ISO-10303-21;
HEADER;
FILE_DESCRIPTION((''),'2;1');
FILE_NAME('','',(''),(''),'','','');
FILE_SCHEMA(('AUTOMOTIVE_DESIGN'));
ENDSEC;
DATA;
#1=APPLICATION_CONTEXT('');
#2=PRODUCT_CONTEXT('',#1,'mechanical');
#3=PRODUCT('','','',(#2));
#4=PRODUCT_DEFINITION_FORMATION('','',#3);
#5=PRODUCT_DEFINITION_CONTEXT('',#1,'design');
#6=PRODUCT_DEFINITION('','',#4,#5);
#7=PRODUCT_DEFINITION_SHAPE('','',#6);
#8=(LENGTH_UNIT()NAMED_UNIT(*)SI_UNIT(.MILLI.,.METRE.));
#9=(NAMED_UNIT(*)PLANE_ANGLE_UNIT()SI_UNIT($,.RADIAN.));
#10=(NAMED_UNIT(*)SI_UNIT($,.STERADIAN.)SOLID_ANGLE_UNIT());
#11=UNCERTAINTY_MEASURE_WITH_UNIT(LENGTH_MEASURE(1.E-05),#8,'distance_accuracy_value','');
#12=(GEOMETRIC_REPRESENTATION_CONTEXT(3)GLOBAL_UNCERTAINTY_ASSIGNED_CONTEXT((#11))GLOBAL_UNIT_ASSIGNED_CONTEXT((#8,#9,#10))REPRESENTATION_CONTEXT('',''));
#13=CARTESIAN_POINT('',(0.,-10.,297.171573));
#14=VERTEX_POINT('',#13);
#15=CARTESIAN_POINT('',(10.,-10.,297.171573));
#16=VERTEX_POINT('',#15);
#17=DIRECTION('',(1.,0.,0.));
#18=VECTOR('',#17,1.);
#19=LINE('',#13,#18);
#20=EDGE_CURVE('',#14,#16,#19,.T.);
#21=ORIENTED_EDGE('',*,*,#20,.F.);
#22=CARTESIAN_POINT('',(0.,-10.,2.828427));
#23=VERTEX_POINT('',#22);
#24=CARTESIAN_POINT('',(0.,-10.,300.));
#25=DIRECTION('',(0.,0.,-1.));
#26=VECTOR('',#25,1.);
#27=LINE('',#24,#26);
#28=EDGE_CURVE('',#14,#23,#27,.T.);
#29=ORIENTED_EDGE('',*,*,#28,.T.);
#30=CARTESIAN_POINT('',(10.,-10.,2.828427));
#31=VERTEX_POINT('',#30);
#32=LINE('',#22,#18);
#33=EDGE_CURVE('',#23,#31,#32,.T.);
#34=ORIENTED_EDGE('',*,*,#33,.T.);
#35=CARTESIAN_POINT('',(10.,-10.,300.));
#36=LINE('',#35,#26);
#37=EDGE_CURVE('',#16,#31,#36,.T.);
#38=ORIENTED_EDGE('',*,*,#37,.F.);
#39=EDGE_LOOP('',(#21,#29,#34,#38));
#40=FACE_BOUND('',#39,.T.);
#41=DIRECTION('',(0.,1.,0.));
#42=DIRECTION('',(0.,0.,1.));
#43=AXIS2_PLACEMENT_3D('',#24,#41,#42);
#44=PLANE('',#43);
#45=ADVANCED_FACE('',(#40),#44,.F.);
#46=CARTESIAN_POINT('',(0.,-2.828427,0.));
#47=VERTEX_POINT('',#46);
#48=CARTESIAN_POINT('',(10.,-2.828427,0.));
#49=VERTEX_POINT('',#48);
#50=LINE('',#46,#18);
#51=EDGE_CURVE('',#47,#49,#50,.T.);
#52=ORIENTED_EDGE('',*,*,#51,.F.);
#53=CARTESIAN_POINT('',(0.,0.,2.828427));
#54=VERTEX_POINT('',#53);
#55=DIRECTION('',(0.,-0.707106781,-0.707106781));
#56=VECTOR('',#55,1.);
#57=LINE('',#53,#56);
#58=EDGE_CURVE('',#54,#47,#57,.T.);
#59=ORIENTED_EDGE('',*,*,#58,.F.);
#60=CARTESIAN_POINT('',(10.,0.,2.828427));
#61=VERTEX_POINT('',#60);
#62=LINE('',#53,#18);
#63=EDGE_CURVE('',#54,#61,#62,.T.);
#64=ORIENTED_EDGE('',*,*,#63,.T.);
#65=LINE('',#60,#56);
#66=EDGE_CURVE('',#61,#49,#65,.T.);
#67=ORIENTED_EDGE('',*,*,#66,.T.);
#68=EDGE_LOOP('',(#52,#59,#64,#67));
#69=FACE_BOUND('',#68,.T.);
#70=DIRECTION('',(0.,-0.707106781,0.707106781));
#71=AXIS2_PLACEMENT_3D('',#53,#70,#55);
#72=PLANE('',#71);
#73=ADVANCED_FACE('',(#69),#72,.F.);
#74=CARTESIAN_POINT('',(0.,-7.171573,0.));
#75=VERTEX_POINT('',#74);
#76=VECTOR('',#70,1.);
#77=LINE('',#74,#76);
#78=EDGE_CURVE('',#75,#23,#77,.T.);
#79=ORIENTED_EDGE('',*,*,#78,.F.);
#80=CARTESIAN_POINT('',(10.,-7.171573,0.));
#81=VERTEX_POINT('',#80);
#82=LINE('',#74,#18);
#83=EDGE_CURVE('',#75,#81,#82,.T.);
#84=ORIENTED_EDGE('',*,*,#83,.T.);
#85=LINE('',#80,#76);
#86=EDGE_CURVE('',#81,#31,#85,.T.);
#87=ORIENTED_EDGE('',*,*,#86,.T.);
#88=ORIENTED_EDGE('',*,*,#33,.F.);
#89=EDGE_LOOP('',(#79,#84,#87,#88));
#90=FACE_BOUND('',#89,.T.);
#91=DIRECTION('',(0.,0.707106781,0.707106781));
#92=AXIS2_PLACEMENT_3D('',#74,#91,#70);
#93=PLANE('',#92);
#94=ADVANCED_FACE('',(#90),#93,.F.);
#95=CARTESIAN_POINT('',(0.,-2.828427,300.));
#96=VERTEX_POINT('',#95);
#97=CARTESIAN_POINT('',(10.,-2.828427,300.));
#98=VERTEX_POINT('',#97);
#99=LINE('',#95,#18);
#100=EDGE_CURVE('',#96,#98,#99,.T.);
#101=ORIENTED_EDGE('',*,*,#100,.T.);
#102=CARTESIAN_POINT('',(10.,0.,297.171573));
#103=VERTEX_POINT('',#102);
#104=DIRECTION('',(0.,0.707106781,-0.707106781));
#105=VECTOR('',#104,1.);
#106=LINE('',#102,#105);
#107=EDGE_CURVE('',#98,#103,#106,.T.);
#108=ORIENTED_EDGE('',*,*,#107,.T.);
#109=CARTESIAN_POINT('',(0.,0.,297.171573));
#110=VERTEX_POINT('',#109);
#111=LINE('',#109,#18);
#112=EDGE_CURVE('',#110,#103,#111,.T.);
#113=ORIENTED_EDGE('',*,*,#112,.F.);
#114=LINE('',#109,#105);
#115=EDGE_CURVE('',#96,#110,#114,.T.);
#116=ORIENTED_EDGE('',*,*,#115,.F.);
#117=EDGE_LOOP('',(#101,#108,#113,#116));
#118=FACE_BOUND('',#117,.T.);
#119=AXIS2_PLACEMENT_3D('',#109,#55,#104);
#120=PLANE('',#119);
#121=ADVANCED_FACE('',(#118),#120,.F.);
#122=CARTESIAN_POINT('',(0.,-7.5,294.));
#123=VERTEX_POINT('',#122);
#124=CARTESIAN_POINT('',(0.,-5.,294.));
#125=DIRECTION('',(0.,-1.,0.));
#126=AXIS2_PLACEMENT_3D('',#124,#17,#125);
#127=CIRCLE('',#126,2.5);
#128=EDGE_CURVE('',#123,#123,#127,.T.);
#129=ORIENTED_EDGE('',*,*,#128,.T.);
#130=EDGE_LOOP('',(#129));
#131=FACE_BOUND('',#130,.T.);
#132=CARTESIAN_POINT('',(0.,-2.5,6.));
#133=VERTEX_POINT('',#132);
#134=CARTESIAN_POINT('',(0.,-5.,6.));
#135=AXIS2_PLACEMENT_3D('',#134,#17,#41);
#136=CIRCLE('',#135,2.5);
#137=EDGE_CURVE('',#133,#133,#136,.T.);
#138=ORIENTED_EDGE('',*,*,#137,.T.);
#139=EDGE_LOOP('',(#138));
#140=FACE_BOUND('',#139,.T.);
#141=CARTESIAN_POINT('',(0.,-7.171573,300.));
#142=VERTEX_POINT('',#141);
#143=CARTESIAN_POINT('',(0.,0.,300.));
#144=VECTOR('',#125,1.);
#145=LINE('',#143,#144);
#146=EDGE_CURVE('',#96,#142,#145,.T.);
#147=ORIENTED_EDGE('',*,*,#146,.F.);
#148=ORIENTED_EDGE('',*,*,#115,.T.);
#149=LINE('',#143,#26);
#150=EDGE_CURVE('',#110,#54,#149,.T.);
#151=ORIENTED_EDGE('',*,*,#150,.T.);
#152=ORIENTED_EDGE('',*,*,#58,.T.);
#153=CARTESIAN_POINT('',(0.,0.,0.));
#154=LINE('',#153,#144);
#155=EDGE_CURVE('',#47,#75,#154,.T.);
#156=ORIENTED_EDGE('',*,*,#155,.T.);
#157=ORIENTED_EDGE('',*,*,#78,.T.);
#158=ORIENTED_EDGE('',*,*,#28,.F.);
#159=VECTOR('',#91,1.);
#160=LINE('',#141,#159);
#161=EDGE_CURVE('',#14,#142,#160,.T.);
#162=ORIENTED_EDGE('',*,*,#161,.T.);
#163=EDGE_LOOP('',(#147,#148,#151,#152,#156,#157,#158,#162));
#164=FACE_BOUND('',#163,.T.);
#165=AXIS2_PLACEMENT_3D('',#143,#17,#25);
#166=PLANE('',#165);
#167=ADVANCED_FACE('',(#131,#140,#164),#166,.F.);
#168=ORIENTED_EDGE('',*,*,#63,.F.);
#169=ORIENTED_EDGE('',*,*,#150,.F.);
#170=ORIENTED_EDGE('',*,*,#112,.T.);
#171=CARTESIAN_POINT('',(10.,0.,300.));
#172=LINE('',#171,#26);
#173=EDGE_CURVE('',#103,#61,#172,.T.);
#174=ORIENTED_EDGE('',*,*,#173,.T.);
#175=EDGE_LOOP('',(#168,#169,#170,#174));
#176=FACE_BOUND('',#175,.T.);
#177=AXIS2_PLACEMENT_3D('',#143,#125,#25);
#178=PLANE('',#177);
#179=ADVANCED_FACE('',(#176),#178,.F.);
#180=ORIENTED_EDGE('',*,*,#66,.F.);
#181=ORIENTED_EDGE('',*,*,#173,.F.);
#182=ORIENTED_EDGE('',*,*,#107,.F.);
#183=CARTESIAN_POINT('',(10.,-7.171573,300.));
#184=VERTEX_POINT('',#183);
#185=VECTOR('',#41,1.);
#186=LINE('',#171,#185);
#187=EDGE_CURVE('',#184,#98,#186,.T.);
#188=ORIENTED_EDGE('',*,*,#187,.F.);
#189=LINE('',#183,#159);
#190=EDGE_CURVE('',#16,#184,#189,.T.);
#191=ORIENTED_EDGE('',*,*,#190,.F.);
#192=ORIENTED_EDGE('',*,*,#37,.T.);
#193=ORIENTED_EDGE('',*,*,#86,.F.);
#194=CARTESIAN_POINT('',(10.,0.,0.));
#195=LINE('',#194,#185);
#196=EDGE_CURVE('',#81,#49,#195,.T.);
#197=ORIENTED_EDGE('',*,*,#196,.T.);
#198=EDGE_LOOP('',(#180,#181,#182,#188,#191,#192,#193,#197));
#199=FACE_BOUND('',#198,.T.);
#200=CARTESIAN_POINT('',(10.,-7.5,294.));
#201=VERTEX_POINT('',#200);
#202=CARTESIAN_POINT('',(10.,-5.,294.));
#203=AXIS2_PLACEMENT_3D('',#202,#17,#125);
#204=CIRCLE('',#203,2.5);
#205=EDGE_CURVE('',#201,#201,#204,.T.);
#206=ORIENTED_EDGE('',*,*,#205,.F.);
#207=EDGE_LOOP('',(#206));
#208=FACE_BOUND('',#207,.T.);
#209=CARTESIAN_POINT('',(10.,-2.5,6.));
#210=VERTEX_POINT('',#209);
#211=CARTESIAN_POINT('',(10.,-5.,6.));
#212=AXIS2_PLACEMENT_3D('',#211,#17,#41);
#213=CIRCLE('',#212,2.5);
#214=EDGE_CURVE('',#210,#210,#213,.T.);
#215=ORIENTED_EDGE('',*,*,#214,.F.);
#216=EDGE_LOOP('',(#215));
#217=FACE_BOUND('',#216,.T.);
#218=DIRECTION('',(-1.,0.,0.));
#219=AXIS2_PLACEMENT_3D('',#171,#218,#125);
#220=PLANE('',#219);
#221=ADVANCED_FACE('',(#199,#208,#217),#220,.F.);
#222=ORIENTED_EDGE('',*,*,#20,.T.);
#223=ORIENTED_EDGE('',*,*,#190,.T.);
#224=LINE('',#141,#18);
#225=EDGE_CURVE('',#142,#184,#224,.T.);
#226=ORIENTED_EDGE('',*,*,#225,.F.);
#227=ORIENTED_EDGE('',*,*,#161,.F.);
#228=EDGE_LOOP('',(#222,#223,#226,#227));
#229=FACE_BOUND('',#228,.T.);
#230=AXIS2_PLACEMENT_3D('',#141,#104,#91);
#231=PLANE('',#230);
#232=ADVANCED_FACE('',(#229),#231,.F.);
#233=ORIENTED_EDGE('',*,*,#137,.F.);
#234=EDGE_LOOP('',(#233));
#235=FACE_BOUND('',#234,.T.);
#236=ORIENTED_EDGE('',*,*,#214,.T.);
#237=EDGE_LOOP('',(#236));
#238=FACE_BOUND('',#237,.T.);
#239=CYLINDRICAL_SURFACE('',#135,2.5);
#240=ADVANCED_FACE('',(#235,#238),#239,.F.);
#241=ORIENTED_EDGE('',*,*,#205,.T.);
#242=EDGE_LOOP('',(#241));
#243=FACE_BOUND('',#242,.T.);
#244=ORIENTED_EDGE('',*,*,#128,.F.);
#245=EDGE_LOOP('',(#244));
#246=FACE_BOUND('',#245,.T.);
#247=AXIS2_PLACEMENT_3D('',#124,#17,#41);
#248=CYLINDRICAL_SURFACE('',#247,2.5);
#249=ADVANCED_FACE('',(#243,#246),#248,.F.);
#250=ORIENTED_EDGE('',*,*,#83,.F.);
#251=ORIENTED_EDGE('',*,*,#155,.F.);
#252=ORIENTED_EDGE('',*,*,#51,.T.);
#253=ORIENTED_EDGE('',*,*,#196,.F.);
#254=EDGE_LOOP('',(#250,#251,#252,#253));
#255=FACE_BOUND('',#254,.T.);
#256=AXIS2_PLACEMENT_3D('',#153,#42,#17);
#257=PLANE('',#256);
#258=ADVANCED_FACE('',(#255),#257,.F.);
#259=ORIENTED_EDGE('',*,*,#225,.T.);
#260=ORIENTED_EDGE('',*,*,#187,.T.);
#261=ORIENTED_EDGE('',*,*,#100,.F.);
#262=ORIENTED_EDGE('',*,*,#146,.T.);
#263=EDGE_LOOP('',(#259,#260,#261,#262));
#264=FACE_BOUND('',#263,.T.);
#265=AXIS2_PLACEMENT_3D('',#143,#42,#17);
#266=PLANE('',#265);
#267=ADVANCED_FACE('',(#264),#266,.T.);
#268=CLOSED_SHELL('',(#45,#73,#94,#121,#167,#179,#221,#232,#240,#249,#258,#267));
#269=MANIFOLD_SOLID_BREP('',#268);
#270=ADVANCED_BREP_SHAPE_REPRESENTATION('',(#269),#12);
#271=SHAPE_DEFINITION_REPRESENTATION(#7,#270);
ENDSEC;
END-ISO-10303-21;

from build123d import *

# Parameters (mm, degrees)
SKETCH_1_W          = 10
SKETCH_1_H          = 10
EXTRUDE_1_DEPTH     = 300
SKETCH_2_R          = 2.5
CUT_EXTRUDE_1_DEPTH = 301.333148354


with BuildPart() as part:
    # ｽｹｯﾁ1 → ﾎﾞｽ - 押し出し1 (new body)
    with BuildSketch(Plane.XY):
        with Locations((5, -5)):
            Rectangle(SKETCH_1_W, SKETCH_1_H)
    extrude(amount=EXTRUDE_1_DEPTH)

    # ｽｹｯﾁ2 → ｶｯﾄ - 押し出し1 (cut, through all)
    with BuildSketch(Plane(origin=(10, 0, 0), x_dir=(0, 0, -1), z_dir=(1, 0, 0))):
        with Locations(Location((-6, -5, 0), (0, 0, 90))):
            Circle(SKETCH_2_R)
        with Locations(Location((-294, -5, 0), (0, 0, 270))):
            Circle(SKETCH_2_R)
        Polygon((-2.828427125, 0), (0, -2.828427125), (0, 0), align=None)
        Polygon((0, -7.171572875), (-2.828427125, -10), (0, -10), align=None)
        Polygon((-300, 0), (-297.171572875, 0), (-300, -2.828427125), align=None)
        Polygon((-300, -10), (-300, -7.171572875), (-297.171572875, -10), align=None)
    extrude(amount=-CUT_EXTRUDE_1_DEPTH, mode=Mode.SUBTRACT)


solid = part.part
